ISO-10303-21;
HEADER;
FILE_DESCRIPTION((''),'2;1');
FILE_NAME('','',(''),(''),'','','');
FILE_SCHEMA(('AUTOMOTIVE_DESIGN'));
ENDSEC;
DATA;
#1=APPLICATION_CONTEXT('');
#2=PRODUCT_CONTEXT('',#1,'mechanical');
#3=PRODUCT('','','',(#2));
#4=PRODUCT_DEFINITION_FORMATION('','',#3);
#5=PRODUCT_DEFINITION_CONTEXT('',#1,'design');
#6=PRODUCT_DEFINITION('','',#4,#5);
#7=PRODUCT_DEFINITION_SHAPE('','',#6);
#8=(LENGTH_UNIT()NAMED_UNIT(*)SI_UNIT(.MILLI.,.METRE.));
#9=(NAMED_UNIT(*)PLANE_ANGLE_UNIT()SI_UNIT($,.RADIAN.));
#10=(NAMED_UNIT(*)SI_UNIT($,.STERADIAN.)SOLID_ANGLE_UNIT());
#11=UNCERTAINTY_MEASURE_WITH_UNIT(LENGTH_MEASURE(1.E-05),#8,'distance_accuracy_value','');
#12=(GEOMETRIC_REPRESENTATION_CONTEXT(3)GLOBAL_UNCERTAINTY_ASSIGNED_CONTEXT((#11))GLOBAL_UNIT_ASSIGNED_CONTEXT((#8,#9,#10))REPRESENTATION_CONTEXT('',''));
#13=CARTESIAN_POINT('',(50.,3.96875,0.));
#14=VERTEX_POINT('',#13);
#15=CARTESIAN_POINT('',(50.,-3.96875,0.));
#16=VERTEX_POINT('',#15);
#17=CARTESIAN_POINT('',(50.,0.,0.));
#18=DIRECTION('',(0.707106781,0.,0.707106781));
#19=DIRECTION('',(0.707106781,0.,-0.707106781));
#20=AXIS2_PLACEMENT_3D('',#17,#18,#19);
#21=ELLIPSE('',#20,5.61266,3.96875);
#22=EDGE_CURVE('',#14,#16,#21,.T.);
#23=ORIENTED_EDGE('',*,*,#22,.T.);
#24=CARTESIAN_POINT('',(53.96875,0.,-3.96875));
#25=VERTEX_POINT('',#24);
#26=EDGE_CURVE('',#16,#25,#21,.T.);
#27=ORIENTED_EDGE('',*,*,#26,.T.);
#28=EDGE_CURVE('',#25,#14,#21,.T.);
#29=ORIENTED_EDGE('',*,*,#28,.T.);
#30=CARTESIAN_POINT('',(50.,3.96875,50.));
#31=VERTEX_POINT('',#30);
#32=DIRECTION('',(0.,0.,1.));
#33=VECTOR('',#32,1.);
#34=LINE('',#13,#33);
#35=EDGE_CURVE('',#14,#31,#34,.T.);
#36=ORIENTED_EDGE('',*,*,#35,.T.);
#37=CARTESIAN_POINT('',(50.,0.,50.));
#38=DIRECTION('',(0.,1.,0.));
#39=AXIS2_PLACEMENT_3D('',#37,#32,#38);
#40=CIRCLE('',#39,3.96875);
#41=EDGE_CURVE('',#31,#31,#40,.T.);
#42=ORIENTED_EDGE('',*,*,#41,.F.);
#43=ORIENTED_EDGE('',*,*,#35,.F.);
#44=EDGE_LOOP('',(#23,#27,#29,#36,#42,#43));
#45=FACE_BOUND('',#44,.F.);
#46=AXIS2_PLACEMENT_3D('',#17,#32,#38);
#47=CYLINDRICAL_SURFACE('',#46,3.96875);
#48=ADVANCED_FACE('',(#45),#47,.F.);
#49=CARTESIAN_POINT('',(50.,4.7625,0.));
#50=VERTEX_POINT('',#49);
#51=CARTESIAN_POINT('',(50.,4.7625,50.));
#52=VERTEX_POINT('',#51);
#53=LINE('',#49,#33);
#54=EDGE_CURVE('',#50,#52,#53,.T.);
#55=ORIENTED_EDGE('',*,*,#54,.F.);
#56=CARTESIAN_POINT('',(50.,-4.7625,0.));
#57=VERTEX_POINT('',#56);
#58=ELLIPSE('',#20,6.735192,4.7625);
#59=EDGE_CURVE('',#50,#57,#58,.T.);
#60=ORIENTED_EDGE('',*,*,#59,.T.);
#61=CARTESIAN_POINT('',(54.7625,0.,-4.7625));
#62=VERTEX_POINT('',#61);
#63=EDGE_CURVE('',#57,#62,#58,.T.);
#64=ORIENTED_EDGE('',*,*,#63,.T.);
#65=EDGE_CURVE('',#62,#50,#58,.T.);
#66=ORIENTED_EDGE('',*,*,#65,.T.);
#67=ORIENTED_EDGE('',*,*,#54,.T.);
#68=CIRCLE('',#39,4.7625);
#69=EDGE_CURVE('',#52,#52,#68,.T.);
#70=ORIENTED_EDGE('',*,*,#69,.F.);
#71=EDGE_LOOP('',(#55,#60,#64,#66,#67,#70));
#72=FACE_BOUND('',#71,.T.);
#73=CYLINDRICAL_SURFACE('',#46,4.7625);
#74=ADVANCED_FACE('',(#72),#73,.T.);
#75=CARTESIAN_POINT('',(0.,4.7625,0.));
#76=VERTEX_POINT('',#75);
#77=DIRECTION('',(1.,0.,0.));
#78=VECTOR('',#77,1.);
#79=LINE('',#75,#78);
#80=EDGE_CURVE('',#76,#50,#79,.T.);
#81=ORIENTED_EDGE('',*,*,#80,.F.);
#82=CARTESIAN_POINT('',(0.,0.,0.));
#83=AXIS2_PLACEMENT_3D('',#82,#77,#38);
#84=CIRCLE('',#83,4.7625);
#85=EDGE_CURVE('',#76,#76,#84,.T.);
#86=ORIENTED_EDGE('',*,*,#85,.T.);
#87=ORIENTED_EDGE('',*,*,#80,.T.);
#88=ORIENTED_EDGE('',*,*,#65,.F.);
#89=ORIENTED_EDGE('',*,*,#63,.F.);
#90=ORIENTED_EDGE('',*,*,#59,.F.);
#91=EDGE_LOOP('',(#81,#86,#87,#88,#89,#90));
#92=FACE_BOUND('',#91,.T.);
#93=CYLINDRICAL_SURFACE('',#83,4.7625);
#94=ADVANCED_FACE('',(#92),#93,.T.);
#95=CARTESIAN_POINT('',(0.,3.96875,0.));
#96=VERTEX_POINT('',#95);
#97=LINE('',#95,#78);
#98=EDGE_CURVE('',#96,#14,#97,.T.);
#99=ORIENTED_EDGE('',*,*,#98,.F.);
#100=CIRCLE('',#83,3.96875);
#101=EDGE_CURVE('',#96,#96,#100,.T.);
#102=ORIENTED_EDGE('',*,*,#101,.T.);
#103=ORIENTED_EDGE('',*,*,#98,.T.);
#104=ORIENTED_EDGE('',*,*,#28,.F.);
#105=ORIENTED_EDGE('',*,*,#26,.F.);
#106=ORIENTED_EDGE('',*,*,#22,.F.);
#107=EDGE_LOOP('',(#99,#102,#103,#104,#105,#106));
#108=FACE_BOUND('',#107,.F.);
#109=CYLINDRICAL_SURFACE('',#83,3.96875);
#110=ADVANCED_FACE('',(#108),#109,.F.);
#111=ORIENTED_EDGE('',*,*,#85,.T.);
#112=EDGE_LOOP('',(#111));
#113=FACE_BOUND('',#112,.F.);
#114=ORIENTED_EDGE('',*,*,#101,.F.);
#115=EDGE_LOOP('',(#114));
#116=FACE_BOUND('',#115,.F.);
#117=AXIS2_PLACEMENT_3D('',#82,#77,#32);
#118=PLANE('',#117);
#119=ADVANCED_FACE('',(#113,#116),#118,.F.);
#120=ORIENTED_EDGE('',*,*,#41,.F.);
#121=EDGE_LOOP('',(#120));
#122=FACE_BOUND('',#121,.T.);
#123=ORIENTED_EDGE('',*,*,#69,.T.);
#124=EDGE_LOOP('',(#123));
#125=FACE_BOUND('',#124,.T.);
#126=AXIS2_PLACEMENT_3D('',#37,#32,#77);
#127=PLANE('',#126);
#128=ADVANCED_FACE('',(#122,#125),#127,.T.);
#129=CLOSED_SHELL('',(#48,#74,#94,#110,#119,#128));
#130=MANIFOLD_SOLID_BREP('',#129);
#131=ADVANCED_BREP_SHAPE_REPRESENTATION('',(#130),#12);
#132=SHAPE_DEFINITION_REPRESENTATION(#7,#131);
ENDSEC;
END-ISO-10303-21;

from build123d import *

# Parameters (mm, degrees)
F0_R = 4.7625
F1_R = 3.96875


with BuildPart() as f3:
    # F3: sweep along a path in F2
    with BuildLine(Plane.XZ) as f3_path:
        Line((0, 0), (50, 0))
        Line((50, 0), (50, 50))
    # F0 (on Right) → F3 (sweep)
    with BuildSketch(Plane.YZ):
        Circle(F0_R)
    sweep(path=f3_path.line, transition=Transition.RIGHT)

    # F4: sweep along a path in F2
    with BuildLine(Plane.XZ) as f4_path:
        Line((0, 0), (50, 0))
        Line((50, 0), (50, 50))
    # F1 (on Right) → F4 (sweep, cut)
    with BuildSketch(Plane.YZ):
        Circle(F1_R)
    sweep(path=f4_path.line, transition=Transition.RIGHT, mode=Mode.SUBTRACT)


solid = f3.part
